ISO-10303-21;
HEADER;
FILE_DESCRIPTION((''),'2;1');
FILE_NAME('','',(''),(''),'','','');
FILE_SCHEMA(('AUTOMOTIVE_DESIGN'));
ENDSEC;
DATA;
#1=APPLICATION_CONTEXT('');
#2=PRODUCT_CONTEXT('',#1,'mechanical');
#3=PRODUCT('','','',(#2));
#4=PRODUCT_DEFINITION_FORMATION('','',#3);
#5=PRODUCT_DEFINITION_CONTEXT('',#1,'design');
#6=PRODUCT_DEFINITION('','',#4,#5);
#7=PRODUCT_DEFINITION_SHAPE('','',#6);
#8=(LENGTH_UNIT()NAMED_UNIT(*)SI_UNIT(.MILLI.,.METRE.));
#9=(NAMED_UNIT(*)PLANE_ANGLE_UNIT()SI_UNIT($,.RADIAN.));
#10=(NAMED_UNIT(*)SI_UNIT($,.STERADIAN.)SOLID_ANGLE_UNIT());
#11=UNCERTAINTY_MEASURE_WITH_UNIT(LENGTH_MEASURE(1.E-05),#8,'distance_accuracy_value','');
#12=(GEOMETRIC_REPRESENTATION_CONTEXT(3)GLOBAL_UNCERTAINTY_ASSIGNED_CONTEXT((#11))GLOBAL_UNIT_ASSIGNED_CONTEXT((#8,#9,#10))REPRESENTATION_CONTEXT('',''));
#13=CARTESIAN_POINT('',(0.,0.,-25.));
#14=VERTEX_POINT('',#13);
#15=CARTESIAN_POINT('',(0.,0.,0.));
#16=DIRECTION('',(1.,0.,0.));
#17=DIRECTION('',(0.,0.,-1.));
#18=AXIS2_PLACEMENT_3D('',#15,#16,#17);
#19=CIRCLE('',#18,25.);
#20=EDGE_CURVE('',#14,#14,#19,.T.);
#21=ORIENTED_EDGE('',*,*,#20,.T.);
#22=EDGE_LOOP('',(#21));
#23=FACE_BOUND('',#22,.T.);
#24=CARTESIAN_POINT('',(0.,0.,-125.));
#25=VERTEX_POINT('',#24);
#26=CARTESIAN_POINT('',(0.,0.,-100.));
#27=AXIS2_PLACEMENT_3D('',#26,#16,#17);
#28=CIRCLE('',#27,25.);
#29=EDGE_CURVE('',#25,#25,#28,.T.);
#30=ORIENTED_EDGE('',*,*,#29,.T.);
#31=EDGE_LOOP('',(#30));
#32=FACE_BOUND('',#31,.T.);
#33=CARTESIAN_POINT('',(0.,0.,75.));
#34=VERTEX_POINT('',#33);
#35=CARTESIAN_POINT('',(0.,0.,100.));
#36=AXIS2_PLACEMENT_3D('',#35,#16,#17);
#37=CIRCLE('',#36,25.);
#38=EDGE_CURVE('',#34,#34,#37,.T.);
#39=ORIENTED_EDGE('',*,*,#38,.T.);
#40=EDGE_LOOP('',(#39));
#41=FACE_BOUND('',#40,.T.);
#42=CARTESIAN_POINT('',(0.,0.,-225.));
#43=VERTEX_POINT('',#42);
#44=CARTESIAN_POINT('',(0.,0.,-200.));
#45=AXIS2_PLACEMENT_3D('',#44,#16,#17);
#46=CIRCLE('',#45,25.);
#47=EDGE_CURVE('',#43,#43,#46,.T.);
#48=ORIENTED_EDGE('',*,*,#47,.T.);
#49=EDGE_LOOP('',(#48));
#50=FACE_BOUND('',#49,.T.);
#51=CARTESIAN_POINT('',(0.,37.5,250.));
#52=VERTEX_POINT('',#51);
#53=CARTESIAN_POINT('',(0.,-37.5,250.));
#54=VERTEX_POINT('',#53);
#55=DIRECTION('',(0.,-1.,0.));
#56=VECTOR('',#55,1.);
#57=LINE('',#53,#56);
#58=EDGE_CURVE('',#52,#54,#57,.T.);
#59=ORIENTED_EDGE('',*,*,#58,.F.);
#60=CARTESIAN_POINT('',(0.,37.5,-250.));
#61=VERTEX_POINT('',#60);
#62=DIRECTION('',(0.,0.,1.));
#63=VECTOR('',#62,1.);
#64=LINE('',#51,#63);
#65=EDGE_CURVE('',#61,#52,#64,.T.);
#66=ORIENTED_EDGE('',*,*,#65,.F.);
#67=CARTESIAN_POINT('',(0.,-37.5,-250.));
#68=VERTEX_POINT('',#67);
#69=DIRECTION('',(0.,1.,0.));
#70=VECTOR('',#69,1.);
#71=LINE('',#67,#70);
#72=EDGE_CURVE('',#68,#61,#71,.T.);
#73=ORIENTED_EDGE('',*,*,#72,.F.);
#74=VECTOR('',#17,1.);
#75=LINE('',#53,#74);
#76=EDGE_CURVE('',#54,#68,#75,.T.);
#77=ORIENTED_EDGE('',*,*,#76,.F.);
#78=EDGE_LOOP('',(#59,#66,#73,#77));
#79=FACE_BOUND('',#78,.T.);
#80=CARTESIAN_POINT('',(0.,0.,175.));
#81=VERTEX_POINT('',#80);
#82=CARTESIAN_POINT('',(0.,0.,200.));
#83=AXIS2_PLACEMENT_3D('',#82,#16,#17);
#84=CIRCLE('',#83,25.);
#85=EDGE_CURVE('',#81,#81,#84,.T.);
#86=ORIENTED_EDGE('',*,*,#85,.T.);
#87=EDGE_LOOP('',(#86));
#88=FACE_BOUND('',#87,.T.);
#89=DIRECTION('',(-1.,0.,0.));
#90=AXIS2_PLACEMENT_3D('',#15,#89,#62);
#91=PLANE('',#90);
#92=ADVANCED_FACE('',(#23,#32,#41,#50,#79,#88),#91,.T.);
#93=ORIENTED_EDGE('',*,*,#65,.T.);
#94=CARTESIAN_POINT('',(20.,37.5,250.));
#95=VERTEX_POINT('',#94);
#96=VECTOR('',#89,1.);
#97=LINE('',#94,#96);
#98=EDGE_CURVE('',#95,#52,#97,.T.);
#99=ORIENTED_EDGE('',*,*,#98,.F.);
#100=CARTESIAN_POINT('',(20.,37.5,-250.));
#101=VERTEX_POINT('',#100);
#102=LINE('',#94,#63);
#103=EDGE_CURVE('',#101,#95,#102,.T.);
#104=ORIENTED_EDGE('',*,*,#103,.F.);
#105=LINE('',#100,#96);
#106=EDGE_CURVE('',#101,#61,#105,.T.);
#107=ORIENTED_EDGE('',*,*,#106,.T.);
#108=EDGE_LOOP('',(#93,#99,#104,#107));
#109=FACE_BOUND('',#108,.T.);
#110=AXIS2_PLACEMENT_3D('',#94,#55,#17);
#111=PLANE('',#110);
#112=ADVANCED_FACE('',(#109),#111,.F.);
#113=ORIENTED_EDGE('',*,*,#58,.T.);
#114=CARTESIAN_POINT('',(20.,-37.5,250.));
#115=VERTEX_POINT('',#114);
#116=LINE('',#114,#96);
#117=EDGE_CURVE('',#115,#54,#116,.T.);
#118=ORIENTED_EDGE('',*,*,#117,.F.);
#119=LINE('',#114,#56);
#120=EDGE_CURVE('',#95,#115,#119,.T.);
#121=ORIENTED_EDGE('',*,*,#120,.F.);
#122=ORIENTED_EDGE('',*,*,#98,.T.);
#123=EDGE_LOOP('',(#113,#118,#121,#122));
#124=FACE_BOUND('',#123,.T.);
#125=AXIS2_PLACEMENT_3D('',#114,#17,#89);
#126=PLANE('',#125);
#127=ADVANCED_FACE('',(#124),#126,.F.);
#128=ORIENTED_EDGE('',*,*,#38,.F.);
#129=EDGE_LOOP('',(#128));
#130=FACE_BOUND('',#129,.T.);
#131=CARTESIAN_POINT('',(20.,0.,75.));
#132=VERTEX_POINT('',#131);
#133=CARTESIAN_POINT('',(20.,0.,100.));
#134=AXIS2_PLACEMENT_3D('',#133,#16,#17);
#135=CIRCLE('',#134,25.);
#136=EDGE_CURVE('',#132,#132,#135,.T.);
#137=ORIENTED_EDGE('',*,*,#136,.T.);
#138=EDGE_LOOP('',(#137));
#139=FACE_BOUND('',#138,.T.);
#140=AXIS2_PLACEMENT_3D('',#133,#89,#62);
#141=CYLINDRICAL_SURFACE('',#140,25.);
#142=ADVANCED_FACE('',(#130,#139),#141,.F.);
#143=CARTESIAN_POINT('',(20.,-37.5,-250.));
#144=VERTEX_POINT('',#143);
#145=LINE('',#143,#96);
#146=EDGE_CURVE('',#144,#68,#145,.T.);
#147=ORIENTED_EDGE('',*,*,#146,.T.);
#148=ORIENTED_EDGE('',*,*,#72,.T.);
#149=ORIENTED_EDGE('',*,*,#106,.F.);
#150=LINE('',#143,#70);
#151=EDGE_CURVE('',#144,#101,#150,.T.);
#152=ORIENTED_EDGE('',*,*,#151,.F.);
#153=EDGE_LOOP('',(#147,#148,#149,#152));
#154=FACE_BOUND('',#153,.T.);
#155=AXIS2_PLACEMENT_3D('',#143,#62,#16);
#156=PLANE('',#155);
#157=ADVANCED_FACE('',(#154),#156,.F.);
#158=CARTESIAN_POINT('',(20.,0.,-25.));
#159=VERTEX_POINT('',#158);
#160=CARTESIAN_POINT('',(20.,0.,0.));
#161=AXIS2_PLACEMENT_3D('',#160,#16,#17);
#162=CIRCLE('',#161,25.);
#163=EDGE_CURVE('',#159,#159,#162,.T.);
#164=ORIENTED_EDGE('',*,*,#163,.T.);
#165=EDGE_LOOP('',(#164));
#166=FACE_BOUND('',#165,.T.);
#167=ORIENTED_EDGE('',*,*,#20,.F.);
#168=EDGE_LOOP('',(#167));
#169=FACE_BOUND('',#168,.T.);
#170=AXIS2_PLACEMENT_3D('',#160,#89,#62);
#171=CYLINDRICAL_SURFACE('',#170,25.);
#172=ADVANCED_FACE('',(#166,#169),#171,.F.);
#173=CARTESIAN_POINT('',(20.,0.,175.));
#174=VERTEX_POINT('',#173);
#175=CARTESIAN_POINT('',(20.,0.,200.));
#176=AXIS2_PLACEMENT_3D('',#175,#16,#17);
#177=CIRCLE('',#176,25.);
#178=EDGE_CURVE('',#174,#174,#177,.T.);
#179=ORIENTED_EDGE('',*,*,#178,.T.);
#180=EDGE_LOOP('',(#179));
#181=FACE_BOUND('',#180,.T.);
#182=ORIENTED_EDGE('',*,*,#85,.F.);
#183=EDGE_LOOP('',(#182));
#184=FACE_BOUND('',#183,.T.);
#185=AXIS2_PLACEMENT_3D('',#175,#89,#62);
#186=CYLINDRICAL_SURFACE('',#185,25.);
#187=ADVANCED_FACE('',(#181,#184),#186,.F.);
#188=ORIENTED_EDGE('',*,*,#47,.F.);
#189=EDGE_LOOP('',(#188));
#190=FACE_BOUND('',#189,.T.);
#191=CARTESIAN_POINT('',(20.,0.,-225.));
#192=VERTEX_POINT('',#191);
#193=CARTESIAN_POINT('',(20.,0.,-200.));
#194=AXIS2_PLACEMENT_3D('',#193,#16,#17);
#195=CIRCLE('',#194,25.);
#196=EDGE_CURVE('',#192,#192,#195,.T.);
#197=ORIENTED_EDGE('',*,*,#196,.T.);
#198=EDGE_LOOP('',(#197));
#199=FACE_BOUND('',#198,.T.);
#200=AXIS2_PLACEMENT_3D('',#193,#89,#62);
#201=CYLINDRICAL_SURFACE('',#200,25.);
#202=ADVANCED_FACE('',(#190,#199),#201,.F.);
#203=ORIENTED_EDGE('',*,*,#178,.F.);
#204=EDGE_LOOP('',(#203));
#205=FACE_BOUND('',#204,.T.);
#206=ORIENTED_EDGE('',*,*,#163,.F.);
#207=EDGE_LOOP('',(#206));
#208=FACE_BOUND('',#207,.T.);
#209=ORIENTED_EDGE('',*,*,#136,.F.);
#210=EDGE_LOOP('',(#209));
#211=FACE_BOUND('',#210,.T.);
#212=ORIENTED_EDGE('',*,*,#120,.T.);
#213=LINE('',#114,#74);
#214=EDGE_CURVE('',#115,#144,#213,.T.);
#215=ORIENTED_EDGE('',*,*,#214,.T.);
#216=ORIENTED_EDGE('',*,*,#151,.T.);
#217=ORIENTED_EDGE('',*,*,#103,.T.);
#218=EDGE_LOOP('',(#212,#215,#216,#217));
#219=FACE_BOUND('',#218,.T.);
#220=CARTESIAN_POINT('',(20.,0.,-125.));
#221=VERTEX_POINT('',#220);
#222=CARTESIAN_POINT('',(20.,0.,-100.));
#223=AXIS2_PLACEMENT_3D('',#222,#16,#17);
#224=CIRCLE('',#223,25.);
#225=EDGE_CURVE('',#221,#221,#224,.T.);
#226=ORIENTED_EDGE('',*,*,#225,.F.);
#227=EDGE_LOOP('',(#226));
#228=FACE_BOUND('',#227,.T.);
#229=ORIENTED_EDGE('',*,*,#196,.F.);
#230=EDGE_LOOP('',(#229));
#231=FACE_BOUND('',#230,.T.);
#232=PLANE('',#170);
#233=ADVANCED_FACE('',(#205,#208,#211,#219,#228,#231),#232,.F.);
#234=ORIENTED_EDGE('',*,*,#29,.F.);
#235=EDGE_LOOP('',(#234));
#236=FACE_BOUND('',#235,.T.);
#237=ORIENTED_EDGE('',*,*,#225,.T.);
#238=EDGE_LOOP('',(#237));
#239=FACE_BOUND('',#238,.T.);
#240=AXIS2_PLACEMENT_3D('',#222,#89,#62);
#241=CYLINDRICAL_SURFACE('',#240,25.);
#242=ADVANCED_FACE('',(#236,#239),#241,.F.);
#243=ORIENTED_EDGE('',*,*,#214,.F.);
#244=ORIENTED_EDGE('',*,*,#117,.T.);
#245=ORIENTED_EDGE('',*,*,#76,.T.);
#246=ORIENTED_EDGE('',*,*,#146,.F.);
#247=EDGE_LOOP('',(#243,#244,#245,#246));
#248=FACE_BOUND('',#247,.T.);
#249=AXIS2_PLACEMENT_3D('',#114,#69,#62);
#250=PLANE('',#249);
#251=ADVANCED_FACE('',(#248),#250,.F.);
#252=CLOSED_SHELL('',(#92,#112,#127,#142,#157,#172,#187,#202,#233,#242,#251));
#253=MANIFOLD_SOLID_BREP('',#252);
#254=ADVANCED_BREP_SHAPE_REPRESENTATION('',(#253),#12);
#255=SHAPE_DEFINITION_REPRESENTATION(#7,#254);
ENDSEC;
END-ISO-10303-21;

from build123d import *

# Parameters (mm, degrees)
SKETCH1_W           = 500
SKETCH1_H           = 75
SKETCH1_R           = 25
BOSS_EXTRUDE1_DEPTH = 20


with BuildPart() as part:
    # Sketch1 → Boss-Extrude1 (new body)
    with BuildSketch(Plane(origin=(0, 0, 0), x_dir=(0, 0, -1), z_dir=(1, 0, 0))):
        Rectangle(SKETCH1_W, SKETCH1_H)
        Circle(SKETCH1_R, mode=Mode.SUBTRACT)
        with Locations((100, 0)):
            Circle(SKETCH1_R, mode=Mode.SUBTRACT)
        with Locations((200, 0)):
            Circle(SKETCH1_R, mode=Mode.SUBTRACT)
        with Locations((-100, 0)):
            Circle(SKETCH1_R, mode=Mode.SUBTRACT)
        with Locations((-200, 0)):
            Circle(SKETCH1_R, mode=Mode.SUBTRACT)
    extrude(amount=BOSS_EXTRUDE1_DEPTH)


solid = part.part
